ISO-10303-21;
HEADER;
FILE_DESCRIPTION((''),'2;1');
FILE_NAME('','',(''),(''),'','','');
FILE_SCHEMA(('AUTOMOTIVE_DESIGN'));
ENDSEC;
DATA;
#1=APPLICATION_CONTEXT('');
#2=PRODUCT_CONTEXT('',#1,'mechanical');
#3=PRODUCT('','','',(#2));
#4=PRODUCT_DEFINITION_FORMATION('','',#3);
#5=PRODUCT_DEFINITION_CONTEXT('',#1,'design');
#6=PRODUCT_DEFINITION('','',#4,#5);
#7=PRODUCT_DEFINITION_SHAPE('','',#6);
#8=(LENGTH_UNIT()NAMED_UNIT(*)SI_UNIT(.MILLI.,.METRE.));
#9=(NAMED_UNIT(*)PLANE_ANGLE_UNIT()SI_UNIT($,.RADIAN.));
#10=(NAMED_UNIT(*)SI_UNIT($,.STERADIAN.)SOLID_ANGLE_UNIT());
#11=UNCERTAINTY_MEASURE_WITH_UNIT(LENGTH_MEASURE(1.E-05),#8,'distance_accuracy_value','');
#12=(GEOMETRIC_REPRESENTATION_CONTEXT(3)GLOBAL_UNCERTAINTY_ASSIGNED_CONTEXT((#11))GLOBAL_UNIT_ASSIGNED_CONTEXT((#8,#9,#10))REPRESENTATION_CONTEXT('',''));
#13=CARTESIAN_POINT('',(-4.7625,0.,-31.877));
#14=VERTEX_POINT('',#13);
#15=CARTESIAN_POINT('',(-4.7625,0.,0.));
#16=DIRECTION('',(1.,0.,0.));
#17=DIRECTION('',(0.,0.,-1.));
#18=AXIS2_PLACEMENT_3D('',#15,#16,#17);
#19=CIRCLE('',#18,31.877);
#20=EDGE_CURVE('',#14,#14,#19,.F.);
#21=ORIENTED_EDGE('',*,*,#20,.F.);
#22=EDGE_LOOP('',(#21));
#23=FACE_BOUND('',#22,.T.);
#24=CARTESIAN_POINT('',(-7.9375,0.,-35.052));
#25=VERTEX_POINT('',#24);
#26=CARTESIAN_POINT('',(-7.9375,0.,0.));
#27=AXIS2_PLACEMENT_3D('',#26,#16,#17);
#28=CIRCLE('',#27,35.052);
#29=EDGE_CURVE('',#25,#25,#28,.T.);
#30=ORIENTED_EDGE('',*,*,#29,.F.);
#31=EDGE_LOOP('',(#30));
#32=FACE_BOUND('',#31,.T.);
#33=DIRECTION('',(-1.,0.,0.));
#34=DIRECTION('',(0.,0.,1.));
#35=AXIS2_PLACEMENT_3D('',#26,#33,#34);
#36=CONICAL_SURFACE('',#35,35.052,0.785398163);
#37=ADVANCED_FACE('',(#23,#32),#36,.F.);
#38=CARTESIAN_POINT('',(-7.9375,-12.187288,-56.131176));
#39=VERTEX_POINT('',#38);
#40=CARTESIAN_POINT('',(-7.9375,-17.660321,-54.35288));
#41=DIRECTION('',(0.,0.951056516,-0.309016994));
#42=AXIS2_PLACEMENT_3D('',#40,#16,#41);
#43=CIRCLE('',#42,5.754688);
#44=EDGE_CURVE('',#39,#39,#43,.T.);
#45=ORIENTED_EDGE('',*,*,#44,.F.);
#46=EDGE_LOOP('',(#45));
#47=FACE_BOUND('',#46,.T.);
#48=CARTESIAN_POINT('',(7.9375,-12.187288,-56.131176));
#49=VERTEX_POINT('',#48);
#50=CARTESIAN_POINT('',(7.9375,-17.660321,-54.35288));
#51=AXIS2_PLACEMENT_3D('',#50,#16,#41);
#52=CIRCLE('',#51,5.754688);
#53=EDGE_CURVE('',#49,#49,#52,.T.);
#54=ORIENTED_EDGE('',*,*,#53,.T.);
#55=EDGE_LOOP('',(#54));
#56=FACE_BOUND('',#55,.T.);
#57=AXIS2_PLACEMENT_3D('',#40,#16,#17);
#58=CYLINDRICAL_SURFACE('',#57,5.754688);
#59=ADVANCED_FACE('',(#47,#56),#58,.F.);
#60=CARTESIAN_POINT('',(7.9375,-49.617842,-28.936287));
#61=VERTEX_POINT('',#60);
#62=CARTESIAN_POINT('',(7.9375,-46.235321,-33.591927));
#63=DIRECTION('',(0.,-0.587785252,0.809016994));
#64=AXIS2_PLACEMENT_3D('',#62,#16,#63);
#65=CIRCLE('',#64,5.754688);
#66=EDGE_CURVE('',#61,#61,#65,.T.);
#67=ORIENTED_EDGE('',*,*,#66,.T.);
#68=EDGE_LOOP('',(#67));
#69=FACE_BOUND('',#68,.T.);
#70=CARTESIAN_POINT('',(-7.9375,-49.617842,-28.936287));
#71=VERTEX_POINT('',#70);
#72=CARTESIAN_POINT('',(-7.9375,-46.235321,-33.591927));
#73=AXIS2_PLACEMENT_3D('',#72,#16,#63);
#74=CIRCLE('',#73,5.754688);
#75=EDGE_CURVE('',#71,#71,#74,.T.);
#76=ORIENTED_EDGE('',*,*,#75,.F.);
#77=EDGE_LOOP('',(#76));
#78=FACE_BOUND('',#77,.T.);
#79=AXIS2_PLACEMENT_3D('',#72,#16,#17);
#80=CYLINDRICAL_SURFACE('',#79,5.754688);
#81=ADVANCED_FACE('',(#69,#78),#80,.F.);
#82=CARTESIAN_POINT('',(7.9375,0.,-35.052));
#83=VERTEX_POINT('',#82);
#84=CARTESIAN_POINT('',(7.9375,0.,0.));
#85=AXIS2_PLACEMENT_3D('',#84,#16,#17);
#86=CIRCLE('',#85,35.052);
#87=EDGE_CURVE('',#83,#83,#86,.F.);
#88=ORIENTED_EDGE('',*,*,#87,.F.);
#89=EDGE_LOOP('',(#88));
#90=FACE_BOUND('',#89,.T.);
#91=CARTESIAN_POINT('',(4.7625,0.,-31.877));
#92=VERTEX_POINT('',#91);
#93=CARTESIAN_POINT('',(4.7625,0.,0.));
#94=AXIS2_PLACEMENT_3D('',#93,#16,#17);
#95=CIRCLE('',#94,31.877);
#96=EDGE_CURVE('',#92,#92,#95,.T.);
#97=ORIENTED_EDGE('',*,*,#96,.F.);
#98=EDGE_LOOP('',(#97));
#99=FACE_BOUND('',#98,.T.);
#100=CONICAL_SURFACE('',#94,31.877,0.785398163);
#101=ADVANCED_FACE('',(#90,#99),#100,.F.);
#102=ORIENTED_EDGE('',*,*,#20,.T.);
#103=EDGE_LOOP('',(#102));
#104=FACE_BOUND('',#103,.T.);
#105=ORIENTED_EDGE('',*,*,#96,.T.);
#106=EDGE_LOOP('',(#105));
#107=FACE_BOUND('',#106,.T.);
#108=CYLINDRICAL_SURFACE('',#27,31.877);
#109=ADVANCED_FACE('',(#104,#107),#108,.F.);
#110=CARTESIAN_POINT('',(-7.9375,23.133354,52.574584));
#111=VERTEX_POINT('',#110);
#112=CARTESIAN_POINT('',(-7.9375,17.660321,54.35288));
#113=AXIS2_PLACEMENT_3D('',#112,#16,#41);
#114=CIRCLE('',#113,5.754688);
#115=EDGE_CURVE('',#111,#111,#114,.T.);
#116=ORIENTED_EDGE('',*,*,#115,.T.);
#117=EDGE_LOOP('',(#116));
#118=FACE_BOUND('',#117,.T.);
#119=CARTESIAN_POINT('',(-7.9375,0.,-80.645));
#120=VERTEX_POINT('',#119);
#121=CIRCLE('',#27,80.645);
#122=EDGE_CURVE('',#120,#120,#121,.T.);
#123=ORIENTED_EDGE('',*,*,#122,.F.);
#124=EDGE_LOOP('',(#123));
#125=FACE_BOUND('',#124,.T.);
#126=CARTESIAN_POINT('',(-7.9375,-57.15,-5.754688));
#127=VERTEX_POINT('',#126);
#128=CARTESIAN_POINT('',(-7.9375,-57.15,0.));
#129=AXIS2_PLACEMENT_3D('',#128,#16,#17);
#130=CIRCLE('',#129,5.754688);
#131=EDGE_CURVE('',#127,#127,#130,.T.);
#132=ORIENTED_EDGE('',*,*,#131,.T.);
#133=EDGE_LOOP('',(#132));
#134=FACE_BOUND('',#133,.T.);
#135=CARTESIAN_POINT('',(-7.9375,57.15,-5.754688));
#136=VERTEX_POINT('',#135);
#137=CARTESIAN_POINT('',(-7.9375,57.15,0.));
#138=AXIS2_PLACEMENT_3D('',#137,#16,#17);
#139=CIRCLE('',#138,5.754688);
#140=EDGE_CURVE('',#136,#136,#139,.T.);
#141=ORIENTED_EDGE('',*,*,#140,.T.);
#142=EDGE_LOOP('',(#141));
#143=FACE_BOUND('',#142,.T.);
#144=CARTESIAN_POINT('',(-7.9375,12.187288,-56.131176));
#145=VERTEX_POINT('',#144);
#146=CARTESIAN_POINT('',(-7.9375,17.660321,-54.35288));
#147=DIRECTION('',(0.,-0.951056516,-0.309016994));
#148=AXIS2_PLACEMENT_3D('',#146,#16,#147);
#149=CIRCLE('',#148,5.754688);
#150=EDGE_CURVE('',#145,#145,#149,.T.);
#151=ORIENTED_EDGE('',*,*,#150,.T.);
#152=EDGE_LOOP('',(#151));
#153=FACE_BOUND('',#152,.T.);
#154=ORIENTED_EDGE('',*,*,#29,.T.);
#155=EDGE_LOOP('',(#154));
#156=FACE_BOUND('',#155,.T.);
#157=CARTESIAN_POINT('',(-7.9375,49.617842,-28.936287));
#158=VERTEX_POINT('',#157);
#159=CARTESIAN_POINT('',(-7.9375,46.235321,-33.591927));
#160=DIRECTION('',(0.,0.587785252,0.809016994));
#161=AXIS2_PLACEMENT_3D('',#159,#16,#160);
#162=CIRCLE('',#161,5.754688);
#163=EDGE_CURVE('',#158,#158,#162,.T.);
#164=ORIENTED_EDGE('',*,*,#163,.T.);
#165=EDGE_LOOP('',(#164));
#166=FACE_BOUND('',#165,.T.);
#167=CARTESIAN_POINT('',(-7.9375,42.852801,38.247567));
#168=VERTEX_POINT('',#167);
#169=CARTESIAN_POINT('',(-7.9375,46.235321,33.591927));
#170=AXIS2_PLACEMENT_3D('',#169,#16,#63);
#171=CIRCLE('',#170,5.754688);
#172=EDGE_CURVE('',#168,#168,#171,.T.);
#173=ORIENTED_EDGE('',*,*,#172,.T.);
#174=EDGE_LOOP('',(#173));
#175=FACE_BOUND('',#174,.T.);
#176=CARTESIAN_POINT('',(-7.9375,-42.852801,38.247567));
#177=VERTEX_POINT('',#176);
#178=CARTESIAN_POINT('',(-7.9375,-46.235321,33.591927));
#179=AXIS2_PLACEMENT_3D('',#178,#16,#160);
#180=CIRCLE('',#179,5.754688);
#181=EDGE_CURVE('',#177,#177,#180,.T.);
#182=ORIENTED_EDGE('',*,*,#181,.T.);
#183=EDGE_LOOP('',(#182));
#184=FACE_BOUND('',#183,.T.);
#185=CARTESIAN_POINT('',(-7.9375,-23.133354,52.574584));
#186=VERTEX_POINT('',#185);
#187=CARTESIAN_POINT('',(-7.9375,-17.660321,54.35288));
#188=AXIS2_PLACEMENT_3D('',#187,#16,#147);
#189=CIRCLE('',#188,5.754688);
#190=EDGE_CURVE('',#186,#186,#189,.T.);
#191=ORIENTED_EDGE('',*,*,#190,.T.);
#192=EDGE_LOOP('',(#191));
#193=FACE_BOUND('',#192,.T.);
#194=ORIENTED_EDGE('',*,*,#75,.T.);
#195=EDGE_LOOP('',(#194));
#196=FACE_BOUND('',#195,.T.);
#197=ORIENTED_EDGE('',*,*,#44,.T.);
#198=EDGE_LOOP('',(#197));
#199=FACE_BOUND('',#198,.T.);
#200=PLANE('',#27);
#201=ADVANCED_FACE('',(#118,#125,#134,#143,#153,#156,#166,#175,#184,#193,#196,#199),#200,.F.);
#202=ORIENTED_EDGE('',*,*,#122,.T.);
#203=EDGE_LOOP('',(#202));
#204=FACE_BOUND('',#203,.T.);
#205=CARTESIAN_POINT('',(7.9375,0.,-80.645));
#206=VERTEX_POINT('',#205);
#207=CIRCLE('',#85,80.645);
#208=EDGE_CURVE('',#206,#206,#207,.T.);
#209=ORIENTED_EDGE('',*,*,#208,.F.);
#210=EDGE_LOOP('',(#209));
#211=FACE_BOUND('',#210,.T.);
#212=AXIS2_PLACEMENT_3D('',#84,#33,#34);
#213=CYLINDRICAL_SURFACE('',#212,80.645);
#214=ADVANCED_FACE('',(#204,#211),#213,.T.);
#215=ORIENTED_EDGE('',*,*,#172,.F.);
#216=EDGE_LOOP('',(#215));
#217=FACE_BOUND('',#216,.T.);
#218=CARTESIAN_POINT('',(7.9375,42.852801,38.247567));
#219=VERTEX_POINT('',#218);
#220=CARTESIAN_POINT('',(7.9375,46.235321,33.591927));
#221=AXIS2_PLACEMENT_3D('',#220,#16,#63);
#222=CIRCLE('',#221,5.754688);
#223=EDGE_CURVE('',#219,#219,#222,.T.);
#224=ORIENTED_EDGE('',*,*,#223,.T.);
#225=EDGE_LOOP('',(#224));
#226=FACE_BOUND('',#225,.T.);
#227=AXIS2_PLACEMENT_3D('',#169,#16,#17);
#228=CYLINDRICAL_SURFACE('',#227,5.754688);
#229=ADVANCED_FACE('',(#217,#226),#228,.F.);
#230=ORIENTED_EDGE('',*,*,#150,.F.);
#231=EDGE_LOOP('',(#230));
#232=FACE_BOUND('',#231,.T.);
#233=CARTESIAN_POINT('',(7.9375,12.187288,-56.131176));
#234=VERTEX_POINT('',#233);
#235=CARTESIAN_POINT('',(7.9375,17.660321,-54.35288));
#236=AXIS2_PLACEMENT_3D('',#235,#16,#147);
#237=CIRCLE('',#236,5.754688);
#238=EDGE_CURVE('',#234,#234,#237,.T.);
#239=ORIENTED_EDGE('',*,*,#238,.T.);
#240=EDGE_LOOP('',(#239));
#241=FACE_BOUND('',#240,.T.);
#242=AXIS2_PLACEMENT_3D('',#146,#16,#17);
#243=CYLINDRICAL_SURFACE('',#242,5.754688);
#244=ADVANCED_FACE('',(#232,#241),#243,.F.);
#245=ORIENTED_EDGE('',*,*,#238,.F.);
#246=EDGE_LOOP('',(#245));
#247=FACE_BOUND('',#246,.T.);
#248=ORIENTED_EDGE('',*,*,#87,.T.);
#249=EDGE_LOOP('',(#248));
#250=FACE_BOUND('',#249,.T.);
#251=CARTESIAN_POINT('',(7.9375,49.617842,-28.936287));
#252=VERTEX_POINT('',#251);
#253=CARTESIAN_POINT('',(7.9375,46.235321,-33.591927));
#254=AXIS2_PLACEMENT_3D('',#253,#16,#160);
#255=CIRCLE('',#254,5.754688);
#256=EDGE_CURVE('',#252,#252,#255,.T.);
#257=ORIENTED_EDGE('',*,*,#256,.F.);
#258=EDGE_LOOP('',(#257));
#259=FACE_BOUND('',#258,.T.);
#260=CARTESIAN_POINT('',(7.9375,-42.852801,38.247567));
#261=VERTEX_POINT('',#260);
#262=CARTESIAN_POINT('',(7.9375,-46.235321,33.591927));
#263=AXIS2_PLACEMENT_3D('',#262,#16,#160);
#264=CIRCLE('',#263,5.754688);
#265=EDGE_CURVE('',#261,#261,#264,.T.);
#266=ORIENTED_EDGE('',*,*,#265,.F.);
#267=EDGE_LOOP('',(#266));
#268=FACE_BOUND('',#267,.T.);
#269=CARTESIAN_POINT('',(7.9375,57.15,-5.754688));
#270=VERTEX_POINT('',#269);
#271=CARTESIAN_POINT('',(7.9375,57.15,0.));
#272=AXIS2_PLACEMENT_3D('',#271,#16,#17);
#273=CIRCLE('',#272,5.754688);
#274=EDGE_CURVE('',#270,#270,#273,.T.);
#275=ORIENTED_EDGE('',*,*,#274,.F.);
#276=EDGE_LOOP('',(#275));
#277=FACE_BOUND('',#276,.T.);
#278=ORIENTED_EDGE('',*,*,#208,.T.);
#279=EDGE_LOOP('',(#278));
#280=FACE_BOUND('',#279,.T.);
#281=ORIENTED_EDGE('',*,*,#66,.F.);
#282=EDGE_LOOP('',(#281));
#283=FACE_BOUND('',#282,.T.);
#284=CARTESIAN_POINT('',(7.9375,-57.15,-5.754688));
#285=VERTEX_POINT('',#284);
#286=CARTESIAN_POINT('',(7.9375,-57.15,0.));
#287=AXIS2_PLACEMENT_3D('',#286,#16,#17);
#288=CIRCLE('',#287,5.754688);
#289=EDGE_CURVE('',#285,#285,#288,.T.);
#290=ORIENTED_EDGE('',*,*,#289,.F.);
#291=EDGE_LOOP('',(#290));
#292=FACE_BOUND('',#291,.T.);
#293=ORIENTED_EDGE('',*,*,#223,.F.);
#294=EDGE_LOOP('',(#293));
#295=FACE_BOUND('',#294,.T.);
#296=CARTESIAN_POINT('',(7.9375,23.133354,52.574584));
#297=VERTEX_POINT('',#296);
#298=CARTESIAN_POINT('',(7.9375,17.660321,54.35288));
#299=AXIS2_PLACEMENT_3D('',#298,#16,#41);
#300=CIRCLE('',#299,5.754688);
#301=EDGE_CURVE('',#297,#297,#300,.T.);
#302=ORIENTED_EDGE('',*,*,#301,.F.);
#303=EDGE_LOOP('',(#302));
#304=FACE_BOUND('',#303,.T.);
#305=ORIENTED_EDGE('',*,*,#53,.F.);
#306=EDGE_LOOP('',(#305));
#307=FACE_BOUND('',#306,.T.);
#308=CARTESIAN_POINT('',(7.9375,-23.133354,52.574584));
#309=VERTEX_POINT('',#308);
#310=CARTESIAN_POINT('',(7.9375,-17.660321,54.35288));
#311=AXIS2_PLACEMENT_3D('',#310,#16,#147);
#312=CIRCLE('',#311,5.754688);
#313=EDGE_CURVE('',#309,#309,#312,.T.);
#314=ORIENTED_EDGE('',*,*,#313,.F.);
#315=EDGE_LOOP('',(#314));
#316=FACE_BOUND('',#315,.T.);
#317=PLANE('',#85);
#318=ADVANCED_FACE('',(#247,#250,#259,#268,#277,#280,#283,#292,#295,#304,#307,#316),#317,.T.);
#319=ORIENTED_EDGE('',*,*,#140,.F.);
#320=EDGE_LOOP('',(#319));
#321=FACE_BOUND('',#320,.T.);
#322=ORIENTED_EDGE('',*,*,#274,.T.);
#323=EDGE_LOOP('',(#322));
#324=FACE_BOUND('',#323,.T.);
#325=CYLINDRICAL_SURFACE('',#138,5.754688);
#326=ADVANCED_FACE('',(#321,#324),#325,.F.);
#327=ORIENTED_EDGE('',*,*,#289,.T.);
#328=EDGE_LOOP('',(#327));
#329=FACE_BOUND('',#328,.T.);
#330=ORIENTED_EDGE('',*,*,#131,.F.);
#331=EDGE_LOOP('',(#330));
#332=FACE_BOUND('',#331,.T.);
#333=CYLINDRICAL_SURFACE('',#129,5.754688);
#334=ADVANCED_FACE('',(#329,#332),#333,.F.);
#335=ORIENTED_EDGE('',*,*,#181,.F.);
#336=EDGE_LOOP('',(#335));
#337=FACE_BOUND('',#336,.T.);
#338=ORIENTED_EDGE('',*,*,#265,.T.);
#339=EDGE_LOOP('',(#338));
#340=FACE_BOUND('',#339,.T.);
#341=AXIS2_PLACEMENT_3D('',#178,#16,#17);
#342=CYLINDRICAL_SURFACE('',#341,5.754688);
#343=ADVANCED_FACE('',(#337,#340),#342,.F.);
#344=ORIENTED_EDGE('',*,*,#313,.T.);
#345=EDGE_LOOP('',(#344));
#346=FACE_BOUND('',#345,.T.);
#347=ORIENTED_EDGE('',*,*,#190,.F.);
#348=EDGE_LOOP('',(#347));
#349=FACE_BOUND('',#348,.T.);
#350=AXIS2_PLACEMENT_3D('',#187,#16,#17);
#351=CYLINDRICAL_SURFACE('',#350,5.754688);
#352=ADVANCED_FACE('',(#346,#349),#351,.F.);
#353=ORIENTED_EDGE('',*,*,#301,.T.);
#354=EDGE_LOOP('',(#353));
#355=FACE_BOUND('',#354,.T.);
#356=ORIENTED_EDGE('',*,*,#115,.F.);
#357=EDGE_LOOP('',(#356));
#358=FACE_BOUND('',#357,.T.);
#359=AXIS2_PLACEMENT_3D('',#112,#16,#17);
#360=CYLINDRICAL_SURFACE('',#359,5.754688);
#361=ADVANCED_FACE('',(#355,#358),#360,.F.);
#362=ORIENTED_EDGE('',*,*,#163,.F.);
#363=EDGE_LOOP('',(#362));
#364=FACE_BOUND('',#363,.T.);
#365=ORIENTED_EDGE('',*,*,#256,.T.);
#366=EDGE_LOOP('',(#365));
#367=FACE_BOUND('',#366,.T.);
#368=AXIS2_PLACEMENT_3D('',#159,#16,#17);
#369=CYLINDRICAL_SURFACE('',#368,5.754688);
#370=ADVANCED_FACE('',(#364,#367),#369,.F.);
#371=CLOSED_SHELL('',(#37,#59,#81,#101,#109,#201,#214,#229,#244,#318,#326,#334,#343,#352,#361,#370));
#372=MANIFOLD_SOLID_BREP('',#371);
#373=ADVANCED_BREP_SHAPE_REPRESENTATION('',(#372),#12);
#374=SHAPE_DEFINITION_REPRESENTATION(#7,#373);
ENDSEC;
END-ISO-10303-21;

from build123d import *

# Parameters (mm, degrees)
SKETCH1_R           = 80.645
BOSS_EXTRUDE1_DEPTH = 7.9375
SKETCH3_R           = 31.877
CUT_EXTRUDE1_DEPTH  = 16.875
CHAMFER1_SIZE       = 3.175
SKETCH5_R           = 5.7546875
CUT_EXTRUDE2_DEPTH  = 16.875
CIRPATTERN1_COUNT   = 5
SKETCH6_R           = 5.7546875
CUT_EXTRUDE3_DEPTH  = 16.875
CIRPATTERN2_COUNT   = 5


with BuildPart() as part:
    # Sketch1 → Boss-Extrude1 (new body, symmetric)
    with BuildSketch(Plane(origin=(0, 0, 0), x_dir=(0, 0, -1), z_dir=(1, 0, 0))):
        Circle(SKETCH1_R)
    extrude(amount=BOSS_EXTRUDE1_DEPTH, both=True)

    # Sketch3 → Cut-Extrude1 (cut, through all)
    with BuildSketch(Plane(origin=(7.9375, 0, 0), x_dir=(0, 0, -1), z_dir=(1, 0, 0))):
        Circle(SKETCH3_R)
    extrude(amount=-CUT_EXTRUDE1_DEPTH, mode=Mode.SUBTRACT)

    # Chamfer1
    chamfer1_edges = [part.edges().sort_by_distance(p)[0] for p in [
        (-7.9375, 0, 31.877),
        (7.9375, 0, 31.877),
    ]]
    chamfer(chamfer1_edges, length=CHAMFER1_SIZE)

    # Sketch5 → Cut-Extrude2 (cut, through all)
    with BuildSketch(Plane(origin=(7.9375, 0, 0), x_dir=(0, 0, -1), z_dir=(1, 0, 0))):
        with Locations((0, 57.15)):
            Circle(SKETCH5_R)
    cut_extrude2 = extrude(amount=-CUT_EXTRUDE2_DEPTH, mode=Mode.SUBTRACT)

    # CirPattern1: Cut-Extrude2 ×5 about axis
    cirpattern1_axis = Axis((0, 0, 0), (1, 0, 0))
    for i in range(1, CIRPATTERN1_COUNT):
        add(cut_extrude2.rotate(cirpattern1_axis, i * 360 / CIRPATTERN1_COUNT), mode=Mode.SUBTRACT)

    # Sketch6 → Cut-Extrude3 (cut, through all)
    with BuildSketch(Plane(origin=(7.9375, 0, 0), x_dir=(0, 0, -1), z_dir=(1, 0, 0))):
        with Locations((0, -57.15)):
            Circle(SKETCH6_R)
    cut_extrude3 = extrude(amount=-CUT_EXTRUDE3_DEPTH, mode=Mode.SUBTRACT)

    # CirPattern2: Cut-Extrude3 ×5 about axis
    cirpattern2_axis = Axis((0, 0, 0), (1, 0, 0))
    for i in range(1, CIRPATTERN2_COUNT):
        add(cut_extrude3.rotate(cirpattern2_axis, i * 360 / CIRPATTERN2_COUNT), mode=Mode.SUBTRACT)


solid = part.part
